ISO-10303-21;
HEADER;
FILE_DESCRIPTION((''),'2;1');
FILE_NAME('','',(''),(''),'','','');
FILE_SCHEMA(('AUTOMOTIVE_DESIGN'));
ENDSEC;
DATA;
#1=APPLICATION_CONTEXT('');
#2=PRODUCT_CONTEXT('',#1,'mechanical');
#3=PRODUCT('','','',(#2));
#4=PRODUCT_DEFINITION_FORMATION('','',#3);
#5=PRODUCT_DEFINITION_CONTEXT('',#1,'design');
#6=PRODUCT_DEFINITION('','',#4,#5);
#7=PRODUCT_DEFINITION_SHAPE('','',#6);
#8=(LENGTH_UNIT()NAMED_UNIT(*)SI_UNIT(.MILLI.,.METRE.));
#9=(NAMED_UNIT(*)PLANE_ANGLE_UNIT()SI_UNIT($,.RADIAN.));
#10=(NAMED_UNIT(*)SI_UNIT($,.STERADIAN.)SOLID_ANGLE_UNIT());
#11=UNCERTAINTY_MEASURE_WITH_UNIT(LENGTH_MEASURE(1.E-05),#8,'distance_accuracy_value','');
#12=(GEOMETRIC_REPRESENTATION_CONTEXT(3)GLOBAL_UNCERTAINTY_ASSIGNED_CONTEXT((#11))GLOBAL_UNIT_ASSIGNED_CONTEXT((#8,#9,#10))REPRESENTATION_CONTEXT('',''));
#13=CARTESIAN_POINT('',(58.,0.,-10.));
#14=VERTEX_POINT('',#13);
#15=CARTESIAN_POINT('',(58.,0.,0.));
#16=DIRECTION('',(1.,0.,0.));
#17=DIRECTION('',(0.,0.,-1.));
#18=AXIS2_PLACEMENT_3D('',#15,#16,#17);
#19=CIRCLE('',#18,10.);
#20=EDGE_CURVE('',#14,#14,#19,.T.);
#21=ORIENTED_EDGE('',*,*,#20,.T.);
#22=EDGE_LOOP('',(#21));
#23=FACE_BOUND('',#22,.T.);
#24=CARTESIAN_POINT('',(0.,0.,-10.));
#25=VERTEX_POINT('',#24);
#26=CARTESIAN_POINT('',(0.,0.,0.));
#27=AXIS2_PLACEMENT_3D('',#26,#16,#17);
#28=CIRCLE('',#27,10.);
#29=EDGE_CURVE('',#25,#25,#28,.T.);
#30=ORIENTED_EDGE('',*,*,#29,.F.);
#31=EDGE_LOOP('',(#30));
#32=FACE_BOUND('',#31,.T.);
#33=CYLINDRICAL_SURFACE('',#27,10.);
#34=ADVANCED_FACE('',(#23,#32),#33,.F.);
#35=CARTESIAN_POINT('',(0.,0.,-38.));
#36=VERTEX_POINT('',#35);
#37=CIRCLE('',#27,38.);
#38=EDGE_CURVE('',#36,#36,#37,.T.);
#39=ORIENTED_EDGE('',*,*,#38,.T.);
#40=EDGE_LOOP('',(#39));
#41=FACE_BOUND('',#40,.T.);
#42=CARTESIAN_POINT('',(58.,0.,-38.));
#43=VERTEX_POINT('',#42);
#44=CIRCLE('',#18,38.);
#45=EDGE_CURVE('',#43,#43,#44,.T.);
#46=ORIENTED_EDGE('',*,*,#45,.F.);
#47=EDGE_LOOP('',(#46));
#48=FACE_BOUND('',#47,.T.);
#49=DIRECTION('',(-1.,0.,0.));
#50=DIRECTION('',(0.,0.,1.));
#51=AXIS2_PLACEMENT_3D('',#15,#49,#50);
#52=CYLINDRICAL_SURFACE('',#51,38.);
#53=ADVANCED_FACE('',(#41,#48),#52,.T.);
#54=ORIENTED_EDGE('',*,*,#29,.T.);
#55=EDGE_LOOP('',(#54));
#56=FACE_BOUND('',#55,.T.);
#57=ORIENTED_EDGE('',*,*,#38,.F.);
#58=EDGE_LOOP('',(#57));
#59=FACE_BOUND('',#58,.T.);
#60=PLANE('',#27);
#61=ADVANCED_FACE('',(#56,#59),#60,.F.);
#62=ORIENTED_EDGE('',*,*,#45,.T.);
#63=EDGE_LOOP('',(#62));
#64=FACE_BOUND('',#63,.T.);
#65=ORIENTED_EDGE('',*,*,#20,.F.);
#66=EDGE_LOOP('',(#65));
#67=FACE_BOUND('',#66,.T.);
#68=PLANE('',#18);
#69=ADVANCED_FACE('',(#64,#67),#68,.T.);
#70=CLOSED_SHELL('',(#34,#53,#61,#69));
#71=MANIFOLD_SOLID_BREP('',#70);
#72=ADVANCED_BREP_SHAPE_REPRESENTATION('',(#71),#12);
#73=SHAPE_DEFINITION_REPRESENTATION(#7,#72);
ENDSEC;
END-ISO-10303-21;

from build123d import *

# Parameters (mm, degrees)
SKETCH1_R                = 38
OUTERCIRCUMFERENCE_DEPTH = 58
SKETCH2_R                = 10
CUT_EXTRUDE2_DEPTH       = 59


with BuildPart() as part:
    # Sketch1 → OuterCircumference (new body)
    with BuildSketch(Plane(origin=(0, 0, 0), x_dir=(0, 0, -1), z_dir=(1, 0, 0))):
        Circle(SKETCH1_R)
    extrude(amount=OUTERCIRCUMFERENCE_DEPTH)

    # Sketch2 → Cut-Extrude2 (cut, through all)
    with BuildSketch(Plane(origin=(58, 0, 0), x_dir=(0, 0, -1), z_dir=(1, 0, 0))):
        Circle(SKETCH2_R)
    extrude(amount=-CUT_EXTRUDE2_DEPTH, mode=Mode.SUBTRACT)


solid = part.part
